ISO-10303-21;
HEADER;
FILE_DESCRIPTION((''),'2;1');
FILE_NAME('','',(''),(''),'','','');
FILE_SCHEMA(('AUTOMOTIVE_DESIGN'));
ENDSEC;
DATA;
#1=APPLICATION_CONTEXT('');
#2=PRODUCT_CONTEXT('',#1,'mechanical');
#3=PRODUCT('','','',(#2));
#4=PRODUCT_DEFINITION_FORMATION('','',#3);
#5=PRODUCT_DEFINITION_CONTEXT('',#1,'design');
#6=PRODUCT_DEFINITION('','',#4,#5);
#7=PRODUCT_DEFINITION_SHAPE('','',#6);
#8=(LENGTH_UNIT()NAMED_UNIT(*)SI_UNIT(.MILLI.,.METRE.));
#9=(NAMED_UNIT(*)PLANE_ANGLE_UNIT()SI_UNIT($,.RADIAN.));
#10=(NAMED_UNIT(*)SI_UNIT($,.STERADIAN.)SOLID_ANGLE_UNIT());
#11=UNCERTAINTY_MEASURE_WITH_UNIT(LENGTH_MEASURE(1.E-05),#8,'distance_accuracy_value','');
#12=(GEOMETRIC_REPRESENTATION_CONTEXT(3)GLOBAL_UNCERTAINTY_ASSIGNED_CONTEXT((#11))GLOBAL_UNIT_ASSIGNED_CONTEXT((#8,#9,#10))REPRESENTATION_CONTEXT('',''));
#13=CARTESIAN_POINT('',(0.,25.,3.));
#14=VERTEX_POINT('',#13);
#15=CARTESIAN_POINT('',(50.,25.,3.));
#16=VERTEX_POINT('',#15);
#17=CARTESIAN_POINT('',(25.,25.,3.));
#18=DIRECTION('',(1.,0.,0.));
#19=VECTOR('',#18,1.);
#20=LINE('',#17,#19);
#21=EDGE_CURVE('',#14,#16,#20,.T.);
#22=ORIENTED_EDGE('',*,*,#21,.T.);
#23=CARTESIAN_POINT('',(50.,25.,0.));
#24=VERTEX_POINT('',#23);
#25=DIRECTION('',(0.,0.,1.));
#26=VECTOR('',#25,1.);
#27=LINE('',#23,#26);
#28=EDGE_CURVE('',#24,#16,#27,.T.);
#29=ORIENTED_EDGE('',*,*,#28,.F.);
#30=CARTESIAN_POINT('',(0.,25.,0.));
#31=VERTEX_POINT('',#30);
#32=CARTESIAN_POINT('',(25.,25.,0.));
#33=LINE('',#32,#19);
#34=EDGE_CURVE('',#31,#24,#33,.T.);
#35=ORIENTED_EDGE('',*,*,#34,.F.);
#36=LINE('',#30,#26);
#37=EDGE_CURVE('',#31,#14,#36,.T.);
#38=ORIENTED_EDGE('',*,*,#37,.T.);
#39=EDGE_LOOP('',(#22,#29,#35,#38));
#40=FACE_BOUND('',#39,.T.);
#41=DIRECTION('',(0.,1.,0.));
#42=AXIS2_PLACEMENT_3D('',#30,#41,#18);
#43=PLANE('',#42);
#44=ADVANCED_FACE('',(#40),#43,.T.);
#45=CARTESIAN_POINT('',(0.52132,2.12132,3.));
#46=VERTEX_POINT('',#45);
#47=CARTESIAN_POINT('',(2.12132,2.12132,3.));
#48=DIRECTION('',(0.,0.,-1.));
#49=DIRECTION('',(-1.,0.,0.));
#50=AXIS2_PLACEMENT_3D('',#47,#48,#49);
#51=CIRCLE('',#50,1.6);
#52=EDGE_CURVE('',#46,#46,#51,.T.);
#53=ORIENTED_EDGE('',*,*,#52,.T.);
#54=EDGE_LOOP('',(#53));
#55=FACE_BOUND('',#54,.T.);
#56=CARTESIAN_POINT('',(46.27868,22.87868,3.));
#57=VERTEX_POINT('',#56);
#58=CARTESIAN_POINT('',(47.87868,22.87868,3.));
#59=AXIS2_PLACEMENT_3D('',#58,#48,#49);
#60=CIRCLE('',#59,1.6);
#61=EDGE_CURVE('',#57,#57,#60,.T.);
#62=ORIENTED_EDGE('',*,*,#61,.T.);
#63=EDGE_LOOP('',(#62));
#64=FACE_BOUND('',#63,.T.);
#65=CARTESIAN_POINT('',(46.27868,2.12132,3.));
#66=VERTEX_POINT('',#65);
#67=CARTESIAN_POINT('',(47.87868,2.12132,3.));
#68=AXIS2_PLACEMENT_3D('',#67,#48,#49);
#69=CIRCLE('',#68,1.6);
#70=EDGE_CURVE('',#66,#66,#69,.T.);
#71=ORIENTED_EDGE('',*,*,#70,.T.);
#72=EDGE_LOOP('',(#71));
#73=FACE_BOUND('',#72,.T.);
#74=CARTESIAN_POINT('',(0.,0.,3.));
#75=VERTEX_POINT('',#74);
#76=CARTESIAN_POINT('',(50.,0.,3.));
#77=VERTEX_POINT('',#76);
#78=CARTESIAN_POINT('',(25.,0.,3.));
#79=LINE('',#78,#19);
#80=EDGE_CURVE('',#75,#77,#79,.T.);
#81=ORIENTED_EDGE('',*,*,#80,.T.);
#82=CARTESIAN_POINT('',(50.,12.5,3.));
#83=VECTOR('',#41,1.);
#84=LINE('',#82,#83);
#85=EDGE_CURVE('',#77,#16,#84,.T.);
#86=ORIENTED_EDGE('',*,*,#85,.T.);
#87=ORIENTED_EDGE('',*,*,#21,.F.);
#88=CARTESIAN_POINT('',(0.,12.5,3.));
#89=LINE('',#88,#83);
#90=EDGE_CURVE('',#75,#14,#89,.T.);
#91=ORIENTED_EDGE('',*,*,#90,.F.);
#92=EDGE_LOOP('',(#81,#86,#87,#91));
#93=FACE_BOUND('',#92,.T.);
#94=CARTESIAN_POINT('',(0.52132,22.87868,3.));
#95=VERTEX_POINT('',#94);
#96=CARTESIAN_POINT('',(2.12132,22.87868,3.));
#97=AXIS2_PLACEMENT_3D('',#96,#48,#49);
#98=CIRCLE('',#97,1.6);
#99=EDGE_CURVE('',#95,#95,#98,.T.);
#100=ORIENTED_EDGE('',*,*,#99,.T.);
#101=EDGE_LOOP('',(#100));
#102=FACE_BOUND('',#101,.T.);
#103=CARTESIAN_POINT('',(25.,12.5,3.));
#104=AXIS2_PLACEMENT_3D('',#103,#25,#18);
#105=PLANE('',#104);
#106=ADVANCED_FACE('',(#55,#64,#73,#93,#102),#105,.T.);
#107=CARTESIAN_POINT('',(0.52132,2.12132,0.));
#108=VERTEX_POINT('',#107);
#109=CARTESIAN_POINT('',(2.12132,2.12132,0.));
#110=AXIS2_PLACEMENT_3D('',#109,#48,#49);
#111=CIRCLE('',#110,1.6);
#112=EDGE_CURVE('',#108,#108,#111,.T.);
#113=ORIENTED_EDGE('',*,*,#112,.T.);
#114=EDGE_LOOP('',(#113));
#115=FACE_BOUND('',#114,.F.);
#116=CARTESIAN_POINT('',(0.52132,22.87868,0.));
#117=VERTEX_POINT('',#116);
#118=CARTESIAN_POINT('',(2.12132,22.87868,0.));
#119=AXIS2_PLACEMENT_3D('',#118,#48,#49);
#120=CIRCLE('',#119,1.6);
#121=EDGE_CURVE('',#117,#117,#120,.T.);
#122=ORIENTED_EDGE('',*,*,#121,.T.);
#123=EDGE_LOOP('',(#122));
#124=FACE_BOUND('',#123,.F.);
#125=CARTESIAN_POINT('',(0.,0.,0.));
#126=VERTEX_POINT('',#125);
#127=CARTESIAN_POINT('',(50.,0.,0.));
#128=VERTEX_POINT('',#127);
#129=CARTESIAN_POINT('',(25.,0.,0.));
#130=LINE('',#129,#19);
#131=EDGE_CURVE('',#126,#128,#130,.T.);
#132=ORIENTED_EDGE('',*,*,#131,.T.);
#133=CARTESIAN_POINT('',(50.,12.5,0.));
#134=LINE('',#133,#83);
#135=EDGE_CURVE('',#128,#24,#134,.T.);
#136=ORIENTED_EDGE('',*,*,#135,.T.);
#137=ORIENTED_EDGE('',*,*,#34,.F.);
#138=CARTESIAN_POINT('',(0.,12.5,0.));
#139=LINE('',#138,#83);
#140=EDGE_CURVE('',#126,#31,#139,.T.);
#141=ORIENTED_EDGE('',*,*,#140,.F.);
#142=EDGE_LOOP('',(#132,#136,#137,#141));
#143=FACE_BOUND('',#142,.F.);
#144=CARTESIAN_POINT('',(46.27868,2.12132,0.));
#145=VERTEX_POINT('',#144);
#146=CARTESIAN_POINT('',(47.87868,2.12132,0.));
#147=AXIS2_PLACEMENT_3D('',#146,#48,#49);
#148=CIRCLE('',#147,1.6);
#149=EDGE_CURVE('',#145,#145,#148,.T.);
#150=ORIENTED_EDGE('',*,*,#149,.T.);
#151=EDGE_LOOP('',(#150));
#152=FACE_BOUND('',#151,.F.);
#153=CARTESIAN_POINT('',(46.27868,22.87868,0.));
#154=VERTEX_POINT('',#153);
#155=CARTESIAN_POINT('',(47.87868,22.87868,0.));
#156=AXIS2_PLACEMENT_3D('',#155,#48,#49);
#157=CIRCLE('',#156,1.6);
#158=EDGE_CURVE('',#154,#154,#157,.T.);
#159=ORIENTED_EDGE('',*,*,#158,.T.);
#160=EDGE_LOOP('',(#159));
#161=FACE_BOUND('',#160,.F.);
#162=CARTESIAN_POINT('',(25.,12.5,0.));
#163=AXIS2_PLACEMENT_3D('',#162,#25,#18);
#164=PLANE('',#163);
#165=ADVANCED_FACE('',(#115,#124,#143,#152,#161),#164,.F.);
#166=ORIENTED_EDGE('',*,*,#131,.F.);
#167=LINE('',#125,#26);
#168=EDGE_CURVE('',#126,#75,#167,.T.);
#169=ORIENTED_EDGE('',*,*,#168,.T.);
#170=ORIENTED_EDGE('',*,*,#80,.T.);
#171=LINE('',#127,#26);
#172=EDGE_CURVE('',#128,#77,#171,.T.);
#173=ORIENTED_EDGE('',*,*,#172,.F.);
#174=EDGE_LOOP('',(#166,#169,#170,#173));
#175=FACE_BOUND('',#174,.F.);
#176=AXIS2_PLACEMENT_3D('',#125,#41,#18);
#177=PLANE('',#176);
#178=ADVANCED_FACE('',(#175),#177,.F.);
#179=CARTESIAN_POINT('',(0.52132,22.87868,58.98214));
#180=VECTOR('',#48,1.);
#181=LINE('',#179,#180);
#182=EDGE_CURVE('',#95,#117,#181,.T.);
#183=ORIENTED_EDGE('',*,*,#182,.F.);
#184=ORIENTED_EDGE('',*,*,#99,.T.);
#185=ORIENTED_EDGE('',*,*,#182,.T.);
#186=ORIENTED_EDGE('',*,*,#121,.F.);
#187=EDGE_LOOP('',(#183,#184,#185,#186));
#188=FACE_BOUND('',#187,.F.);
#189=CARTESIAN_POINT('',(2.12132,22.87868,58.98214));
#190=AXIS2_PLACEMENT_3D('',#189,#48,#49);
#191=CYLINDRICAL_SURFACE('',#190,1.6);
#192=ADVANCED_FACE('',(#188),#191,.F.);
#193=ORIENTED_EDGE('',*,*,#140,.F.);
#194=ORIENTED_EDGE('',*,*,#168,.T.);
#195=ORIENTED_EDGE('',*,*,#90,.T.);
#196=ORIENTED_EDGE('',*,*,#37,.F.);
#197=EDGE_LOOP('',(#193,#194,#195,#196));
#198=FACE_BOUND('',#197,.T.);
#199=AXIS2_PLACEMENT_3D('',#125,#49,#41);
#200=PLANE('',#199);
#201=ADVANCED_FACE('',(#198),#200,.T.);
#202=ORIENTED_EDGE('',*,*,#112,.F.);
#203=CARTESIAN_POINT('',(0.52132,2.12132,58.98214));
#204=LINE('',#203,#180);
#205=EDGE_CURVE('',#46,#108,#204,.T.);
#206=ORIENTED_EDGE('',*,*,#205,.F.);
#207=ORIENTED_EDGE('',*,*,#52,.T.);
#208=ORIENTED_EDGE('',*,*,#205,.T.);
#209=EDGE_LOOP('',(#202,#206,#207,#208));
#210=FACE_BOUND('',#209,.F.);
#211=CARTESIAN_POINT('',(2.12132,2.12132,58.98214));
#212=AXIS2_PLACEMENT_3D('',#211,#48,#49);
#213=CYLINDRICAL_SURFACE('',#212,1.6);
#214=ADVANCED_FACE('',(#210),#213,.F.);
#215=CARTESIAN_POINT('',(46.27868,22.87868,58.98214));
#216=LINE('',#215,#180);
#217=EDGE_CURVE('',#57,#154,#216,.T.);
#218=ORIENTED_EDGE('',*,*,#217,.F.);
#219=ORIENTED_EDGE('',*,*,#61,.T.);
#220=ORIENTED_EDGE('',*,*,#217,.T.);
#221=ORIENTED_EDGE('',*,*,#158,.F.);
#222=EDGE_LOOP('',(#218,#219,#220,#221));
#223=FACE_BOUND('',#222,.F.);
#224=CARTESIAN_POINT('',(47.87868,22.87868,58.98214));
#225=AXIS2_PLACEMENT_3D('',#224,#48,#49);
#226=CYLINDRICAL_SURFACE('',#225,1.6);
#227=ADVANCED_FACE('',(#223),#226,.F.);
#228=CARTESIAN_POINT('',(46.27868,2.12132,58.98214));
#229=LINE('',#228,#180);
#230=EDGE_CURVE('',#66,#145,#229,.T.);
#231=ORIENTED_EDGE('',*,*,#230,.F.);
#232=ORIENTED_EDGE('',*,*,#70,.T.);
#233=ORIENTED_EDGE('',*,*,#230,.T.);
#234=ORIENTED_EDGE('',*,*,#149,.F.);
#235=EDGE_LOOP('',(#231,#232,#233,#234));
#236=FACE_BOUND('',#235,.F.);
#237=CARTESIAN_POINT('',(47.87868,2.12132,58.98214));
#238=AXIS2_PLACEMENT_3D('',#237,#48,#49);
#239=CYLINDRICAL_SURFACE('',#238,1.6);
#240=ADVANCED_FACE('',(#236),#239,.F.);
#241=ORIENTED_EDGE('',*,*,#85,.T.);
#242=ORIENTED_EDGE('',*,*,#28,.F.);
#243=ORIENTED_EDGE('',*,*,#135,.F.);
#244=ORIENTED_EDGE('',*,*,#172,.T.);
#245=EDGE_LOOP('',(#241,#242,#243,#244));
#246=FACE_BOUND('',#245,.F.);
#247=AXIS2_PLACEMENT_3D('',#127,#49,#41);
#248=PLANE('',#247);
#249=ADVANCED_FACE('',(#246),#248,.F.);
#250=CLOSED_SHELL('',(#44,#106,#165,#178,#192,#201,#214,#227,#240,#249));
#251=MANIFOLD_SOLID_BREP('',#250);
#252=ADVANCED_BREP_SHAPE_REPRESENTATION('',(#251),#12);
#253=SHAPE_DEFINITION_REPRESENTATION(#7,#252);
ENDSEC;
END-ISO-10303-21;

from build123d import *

# Parameters (mm, degrees)
F0_W     = 50
F0_H     = 25
F1_DEPTH = 3
F3_D     = 3.2
F4_D     = 3.2
F5_D     = 3.2
F6_D     = 3.2


with BuildPart() as f1:
    # F0 (on Top) → F1 (new body)
    with BuildSketch(Plane.XY):
        with Locations((25, 12.5)):
            Rectangle(F0_W, F0_H)
    extrude(amount=F1_DEPTH)

    # F3 (through all)
    with Locations(Plane.XY.offset(3)):
        with Locations((2.12132, 22.87868)):
            Hole(F3_D / 2)

    # F4 (through all)
    with Locations(Plane.XY.offset(3)):
        with Locations((2.12132, 2.12132)):
            Hole(F4_D / 2)

    # F5 (through all)
    with Locations(Plane.XY.offset(3)):
        with Locations((47.87868, 2.12132)):
            Hole(F5_D / 2)

    # F6 (through all)
    with Locations(Plane.XY.offset(3)):
        with Locations((47.87868, 22.87868)):
            Hole(F6_D / 2)


solid = f1.part
